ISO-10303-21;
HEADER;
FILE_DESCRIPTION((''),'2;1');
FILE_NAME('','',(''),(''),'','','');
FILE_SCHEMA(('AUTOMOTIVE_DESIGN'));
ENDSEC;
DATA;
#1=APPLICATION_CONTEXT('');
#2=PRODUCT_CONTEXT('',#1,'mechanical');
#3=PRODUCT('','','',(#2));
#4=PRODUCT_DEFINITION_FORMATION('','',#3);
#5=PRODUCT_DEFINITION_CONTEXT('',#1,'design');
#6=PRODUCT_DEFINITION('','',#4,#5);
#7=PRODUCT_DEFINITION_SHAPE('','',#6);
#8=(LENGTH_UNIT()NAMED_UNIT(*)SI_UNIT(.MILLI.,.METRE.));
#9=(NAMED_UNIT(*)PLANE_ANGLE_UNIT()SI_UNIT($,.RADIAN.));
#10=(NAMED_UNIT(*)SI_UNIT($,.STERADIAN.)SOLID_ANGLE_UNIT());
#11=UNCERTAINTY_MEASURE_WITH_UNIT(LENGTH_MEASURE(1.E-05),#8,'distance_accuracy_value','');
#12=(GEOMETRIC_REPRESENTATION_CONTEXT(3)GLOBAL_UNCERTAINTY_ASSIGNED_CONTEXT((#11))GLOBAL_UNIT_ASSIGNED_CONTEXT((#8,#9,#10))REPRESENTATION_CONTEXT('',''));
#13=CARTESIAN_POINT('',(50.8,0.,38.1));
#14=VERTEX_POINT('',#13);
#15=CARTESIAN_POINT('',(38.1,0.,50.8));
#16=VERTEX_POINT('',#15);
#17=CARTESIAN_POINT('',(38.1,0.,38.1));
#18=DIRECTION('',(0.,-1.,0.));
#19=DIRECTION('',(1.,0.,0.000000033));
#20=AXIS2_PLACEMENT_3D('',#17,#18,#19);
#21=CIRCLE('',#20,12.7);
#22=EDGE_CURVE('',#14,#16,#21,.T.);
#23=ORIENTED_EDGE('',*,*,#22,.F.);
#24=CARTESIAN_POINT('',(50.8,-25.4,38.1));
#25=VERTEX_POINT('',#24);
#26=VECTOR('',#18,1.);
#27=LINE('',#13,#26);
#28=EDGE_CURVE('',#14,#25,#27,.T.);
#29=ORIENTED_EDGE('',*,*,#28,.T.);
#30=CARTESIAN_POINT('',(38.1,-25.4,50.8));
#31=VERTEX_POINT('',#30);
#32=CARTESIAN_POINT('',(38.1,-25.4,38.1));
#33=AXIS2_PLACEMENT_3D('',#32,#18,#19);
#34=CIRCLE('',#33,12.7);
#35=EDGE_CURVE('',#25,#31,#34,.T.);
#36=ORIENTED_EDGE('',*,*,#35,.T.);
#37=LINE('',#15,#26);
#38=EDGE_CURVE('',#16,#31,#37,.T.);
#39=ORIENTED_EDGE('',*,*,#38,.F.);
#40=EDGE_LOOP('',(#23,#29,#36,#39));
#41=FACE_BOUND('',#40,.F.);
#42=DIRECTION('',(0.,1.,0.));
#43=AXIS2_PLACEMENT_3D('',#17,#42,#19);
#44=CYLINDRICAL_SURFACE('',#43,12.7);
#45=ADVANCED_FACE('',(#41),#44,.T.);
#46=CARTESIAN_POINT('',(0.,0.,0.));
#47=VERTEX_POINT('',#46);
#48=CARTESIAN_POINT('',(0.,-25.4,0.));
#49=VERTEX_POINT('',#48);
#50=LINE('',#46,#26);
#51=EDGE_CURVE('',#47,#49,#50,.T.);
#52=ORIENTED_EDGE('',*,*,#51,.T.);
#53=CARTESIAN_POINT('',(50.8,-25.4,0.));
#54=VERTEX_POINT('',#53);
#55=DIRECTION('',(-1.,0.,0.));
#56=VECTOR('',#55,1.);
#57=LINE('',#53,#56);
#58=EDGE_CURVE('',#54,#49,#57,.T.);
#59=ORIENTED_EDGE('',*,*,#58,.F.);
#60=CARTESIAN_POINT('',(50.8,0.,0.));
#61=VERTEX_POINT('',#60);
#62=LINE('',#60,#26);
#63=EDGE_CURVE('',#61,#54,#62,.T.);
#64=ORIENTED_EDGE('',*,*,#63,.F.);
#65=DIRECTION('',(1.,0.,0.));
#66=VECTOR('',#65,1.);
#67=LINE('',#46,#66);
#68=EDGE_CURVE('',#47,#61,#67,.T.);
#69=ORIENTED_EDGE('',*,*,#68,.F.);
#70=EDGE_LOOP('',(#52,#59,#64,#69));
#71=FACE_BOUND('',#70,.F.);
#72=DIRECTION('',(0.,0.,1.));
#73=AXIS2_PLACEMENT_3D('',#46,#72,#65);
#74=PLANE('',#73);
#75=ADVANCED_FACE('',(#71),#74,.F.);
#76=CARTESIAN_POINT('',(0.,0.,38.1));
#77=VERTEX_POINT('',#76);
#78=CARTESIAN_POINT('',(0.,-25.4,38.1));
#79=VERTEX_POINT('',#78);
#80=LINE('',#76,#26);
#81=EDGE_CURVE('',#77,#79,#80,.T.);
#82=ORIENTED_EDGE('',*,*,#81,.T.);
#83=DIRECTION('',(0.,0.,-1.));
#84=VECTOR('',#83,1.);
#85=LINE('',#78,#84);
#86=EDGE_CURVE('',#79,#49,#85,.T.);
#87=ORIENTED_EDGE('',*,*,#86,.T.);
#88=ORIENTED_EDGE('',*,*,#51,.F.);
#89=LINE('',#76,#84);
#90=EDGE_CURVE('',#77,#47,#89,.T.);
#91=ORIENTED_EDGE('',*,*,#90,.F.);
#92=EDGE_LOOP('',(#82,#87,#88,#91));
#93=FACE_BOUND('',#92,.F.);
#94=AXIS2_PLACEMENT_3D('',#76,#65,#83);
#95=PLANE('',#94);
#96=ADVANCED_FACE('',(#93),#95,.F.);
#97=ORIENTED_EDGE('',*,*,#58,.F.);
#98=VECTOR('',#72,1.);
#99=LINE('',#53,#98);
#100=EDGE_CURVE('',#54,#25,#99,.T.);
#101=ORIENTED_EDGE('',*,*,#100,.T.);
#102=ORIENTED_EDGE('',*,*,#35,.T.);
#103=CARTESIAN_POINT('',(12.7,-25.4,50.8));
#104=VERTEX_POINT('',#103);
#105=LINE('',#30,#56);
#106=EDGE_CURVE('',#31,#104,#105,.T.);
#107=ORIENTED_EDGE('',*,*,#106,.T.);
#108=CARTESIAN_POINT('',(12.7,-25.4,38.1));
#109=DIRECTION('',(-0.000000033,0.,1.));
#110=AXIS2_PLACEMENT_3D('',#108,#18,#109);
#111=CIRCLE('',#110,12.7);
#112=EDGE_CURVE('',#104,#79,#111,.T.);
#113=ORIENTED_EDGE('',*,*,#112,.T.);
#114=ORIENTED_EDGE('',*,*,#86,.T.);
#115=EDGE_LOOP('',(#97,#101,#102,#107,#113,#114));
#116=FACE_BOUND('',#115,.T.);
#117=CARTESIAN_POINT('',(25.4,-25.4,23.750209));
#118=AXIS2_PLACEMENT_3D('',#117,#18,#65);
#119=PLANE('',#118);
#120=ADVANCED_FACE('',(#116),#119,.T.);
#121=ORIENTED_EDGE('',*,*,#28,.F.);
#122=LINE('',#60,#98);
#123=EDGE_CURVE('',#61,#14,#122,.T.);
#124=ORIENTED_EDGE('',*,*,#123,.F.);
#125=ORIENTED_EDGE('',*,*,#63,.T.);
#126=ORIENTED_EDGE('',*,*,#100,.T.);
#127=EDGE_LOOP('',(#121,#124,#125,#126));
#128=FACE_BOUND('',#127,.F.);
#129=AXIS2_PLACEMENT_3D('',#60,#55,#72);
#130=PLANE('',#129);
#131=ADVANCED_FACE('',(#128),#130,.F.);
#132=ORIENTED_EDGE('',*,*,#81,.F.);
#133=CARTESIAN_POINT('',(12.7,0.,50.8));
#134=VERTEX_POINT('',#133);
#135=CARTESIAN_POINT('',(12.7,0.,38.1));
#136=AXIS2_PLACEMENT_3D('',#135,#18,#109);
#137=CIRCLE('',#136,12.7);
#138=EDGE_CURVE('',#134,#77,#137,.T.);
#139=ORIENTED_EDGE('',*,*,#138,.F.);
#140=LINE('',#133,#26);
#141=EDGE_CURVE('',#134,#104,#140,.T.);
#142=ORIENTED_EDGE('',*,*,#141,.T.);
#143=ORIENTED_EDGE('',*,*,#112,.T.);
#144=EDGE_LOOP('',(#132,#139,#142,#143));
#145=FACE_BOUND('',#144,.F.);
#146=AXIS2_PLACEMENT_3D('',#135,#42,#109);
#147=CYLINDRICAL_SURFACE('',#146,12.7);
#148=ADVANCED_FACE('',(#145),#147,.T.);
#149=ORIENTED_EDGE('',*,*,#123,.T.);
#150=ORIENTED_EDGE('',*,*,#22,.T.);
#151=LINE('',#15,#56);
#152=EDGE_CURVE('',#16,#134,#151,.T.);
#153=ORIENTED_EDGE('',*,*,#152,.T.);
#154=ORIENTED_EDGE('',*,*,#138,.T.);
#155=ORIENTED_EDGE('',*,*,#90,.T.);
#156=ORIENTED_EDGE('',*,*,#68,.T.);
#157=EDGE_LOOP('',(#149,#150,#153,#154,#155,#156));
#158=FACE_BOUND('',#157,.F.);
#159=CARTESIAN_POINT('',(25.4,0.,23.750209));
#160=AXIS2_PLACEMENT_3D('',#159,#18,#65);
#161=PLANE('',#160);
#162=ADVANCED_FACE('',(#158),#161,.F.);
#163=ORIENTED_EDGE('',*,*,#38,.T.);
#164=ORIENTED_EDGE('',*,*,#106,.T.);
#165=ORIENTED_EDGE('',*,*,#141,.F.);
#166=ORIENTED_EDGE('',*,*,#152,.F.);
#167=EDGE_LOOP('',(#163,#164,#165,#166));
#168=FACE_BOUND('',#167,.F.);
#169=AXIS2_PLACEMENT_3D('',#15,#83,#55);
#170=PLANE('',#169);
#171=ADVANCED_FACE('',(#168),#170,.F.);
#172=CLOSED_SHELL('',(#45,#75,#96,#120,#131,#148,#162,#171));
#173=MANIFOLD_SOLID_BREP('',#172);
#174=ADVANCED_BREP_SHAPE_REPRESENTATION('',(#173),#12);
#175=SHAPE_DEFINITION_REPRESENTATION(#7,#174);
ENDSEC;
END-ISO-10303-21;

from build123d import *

# Parameters (mm, degrees)
F1_DEPTH = 25.4
F3_DEPTH = 25.4


with BuildPart() as f1:
    # F0 (on Front) → F1 (new body)
    with BuildSketch(Plane.XZ):
        with BuildLine():
            Line((0, 38.1), (0, 0))
            Line((0, 0), (50.8, 0))
            Line((50.8, 0), (50.8, 38.1))
            ThreePointArc((50.8, 38.1), (47.080256, 47.080256), (38.1, 50.8))
            Line((38.1, 50.8), (12.7, 50.8))
            ThreePointArc((12.7, 50.8), (3.719744, 47.080256), (0, 38.1))
        make_face()
    extrude(amount=F1_DEPTH)

    # F2 (on Front) → F3 (join)
    with BuildSketch(Plane.XZ):
        Polygon((17.737616, 7.724446), (17.737616, 0), (39.861955, 0), (39.861955, 7.724446), (30.707058, 7.724446), (30.707058, 12.492622), (23.459429, 12.492622), (23.459429, 7.724446), align=None)
    extrude(amount=F3_DEPTH)


solid = f1.part
